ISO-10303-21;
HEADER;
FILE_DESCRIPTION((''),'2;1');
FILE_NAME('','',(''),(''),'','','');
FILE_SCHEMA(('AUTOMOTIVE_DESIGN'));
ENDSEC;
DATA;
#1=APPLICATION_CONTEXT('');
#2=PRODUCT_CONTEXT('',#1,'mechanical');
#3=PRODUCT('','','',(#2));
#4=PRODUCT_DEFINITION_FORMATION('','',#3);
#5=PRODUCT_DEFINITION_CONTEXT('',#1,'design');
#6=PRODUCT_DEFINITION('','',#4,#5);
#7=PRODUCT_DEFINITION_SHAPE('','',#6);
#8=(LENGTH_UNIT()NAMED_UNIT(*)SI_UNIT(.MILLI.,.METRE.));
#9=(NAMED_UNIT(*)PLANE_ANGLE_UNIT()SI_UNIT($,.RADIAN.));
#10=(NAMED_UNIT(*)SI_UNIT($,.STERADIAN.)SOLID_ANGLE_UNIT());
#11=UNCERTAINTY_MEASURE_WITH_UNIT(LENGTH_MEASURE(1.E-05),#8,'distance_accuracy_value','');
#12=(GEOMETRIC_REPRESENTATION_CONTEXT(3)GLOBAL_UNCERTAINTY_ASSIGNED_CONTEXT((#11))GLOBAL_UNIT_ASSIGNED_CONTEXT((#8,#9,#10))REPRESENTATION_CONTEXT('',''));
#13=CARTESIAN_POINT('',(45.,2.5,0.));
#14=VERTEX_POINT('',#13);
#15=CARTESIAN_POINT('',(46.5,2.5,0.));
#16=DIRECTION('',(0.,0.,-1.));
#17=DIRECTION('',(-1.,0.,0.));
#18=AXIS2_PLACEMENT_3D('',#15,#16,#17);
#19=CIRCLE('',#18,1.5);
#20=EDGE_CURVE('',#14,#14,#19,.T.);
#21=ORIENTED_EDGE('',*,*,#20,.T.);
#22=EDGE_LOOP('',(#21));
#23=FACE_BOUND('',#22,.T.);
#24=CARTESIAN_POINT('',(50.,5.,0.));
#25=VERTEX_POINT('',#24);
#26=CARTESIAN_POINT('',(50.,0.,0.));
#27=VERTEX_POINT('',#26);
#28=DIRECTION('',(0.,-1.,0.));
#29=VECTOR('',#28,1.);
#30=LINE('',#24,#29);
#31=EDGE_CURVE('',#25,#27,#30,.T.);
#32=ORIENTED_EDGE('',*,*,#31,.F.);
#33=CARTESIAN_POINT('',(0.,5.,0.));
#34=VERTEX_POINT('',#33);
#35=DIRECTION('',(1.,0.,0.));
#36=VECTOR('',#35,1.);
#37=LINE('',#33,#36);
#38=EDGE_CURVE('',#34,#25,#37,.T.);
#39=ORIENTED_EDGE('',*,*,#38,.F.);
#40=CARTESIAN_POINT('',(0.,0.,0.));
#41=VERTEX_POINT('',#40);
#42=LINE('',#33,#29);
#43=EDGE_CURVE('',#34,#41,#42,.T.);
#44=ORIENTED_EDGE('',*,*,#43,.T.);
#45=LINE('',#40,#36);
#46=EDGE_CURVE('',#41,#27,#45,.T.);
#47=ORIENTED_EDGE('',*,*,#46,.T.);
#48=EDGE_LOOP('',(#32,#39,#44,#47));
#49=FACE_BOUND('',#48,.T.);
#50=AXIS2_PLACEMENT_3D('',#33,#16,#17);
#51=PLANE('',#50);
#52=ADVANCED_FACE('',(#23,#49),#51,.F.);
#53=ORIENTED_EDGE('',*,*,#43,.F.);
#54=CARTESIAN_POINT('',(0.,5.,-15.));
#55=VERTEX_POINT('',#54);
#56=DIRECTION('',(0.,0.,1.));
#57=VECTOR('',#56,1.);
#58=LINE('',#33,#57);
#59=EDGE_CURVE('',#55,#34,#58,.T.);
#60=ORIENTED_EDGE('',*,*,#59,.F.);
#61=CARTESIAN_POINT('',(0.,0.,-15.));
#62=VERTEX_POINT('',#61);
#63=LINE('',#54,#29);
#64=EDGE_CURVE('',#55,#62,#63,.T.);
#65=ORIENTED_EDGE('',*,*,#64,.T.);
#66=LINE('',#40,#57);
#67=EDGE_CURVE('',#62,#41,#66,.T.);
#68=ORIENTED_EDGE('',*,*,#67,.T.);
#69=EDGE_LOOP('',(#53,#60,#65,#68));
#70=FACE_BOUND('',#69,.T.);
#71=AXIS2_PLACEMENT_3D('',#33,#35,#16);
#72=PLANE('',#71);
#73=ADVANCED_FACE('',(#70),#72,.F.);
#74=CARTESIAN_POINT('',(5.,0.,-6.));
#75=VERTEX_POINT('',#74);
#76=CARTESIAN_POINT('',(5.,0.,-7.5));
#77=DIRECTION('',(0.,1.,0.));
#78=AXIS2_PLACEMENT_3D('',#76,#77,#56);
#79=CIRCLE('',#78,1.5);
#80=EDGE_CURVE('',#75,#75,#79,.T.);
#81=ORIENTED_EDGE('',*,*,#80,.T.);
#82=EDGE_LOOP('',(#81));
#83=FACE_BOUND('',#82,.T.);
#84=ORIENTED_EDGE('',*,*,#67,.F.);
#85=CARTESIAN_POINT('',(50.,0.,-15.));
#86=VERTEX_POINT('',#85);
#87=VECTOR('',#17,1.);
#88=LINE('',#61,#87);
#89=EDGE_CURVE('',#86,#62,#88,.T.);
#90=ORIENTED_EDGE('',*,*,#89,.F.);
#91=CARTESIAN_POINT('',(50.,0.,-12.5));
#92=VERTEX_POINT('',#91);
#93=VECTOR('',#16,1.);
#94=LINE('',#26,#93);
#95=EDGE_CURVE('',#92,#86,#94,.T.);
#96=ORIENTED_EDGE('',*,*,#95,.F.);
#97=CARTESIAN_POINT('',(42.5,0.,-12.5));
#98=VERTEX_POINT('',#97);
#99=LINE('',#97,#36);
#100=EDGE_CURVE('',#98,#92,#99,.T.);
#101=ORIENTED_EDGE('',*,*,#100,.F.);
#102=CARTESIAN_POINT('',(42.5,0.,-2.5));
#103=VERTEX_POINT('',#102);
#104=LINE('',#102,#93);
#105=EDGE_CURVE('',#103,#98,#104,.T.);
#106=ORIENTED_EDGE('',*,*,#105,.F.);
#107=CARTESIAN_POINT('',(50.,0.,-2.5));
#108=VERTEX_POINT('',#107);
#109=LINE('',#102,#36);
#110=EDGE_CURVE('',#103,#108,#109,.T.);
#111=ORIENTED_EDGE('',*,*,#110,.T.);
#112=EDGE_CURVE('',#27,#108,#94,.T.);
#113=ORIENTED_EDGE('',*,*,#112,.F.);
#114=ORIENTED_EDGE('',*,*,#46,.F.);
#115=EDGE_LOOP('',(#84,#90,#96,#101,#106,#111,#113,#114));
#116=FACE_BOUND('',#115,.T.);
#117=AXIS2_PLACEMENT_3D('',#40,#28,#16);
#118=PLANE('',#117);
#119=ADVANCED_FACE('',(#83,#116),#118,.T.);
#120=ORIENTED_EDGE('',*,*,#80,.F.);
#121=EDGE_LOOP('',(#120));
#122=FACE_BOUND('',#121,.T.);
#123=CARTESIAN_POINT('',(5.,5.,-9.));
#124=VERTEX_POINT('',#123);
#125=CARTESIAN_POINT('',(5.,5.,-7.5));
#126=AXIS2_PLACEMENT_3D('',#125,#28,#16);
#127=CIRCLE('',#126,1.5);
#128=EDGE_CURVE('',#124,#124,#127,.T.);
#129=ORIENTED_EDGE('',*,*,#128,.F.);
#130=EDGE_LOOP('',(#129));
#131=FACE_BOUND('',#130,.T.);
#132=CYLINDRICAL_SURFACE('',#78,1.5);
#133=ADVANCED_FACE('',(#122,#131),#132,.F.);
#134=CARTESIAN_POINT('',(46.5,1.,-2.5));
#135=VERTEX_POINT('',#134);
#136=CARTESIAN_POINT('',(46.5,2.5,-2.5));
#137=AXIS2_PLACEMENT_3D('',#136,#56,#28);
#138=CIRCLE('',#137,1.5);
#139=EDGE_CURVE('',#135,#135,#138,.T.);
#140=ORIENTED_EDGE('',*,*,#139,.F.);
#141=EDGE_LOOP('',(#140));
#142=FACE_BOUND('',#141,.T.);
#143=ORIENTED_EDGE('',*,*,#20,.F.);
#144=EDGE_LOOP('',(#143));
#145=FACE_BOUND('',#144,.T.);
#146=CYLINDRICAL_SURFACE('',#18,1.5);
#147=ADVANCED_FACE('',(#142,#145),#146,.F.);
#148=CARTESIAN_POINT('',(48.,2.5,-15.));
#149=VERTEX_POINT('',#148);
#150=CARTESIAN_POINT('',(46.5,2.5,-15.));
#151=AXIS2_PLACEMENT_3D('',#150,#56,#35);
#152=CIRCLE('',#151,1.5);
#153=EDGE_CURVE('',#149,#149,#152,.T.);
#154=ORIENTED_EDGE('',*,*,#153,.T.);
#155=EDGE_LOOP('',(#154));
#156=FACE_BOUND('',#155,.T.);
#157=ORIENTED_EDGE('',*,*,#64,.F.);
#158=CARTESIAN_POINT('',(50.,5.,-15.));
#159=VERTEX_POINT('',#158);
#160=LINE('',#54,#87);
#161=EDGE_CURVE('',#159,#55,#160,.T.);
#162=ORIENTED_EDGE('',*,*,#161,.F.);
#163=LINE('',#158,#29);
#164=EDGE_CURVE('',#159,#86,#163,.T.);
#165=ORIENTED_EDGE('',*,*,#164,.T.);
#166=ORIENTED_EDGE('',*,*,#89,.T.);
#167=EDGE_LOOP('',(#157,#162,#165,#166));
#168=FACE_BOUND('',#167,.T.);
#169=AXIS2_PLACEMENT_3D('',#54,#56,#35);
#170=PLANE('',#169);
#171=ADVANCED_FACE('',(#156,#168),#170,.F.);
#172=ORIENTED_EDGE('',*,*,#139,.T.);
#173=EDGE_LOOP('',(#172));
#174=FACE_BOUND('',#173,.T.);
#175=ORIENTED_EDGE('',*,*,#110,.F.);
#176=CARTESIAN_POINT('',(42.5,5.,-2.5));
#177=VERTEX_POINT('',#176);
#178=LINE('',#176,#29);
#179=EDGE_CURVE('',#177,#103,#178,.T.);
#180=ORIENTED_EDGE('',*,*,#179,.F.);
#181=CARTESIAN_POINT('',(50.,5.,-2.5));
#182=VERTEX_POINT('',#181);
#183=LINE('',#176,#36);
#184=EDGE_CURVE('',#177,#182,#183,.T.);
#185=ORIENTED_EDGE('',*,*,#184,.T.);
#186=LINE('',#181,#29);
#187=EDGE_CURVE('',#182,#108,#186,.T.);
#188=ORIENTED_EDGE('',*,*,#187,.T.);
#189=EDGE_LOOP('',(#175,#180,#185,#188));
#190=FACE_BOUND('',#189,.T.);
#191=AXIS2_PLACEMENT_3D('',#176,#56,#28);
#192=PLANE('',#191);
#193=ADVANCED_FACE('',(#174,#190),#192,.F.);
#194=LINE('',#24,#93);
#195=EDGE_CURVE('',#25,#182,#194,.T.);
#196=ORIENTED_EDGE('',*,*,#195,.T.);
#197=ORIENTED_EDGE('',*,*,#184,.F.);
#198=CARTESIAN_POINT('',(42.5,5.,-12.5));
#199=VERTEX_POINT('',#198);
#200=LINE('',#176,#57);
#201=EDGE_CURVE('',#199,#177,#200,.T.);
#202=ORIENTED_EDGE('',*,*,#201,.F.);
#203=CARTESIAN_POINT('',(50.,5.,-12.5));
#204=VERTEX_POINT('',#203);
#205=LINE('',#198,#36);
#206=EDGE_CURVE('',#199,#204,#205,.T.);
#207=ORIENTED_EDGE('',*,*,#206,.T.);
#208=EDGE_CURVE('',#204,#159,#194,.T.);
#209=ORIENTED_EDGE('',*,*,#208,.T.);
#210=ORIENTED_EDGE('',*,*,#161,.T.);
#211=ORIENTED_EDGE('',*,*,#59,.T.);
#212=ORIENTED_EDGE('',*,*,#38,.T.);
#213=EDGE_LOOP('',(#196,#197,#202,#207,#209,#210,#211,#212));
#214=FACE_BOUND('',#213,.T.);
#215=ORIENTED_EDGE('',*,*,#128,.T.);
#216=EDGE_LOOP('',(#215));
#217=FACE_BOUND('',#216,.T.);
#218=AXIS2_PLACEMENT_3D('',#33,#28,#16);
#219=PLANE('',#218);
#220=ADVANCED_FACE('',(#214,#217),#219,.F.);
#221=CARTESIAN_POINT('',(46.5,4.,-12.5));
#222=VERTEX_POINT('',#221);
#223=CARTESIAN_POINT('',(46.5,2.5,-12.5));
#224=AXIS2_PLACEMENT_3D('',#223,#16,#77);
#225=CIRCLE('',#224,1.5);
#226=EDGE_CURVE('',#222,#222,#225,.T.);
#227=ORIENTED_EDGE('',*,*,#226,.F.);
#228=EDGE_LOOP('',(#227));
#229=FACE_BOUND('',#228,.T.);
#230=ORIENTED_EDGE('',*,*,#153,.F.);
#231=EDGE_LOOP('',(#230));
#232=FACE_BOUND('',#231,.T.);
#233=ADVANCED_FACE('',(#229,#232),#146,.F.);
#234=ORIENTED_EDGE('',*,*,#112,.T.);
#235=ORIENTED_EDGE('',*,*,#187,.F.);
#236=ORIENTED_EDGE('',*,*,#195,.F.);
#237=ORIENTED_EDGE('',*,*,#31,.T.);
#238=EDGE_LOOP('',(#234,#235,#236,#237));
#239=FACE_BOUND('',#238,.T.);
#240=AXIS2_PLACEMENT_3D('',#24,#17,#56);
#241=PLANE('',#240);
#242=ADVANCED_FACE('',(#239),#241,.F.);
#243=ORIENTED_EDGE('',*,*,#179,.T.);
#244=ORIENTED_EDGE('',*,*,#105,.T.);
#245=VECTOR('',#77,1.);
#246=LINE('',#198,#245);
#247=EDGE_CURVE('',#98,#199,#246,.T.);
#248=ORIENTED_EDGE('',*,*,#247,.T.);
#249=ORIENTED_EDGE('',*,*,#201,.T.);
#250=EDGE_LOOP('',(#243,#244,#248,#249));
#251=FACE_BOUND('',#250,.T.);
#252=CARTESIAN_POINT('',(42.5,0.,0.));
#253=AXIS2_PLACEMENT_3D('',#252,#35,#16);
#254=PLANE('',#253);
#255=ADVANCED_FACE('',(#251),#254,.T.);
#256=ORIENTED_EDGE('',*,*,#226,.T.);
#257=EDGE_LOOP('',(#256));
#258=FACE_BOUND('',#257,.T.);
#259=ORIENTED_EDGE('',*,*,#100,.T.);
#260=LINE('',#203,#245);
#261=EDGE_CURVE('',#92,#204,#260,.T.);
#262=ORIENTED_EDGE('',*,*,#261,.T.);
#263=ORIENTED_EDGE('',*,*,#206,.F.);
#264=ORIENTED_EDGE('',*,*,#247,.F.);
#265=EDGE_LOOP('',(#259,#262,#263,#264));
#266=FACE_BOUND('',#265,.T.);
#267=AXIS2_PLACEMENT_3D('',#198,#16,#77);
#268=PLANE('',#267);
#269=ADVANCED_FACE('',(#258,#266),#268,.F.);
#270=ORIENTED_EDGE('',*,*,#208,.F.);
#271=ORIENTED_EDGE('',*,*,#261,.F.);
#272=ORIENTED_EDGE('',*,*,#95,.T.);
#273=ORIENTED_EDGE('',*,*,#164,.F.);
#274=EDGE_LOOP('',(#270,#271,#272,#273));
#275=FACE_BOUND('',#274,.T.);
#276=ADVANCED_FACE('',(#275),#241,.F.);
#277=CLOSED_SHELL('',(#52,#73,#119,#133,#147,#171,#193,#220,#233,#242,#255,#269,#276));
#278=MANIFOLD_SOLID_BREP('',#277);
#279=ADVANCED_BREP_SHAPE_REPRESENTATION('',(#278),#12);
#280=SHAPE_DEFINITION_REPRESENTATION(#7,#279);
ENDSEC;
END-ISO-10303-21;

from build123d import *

# Parameters (mm, degrees)
SKETCH1_W               = 50
SKETCH1_H               = 15
BOSS_EXTRUDE1_DEPTH     = 5
CUT_EXTRUDE1_DEPTH      = 53.440442409
CUT_EXTRUDE1_DEPTH_BACK = 53.440442409
SKETCH2_R               = 1.5
SKETCH3_W               = 10
SKETCH3_H               = 5
CUT_EXTRUDE2_DEPTH      = 7.5
CUT_EXTRUDE3_DEPTH      = 53.440442409
CUT_EXTRUDE3_DEPTH_BACK = 53.440442409
SKETCH4_R               = 1.5


with BuildPart() as part:
    # Sketch1 → Boss-Extrude1 (new body)
    with BuildSketch(Plane(origin=(0, 0, 0), x_dir=(1, 0, 0), z_dir=(0, 1, 0))):
        with Locations((25, 7.5)):
            Rectangle(SKETCH1_W, SKETCH1_H)
    extrude(amount=BOSS_EXTRUDE1_DEPTH)

    # Sketch2 → Cut-Extrude1 (cut, two sides: drawn at the far end of the back side and taken through both)
    with BuildSketch(Plane(origin=(0, 5, 0), x_dir=(1, 0, 0), z_dir=(0, 1, 0)).offset(-CUT_EXTRUDE1_DEPTH_BACK)):
        with Locations(Location((5, 7.5, 0), (0, 0, 270))):
            Circle(SKETCH2_R)
    extrude(amount=CUT_EXTRUDE1_DEPTH + CUT_EXTRUDE1_DEPTH_BACK, mode=Mode.SUBTRACT)

    # Sketch3 → Cut-Extrude2 (cut)
    with BuildSketch(Plane(origin=(50, 0, 0), x_dir=(0, 0, -1), z_dir=(1, 0, 0))):
        with Locations((7.5, 2.5)):
            Rectangle(SKETCH3_W, SKETCH3_H)
    extrude(amount=-CUT_EXTRUDE2_DEPTH, mode=Mode.SUBTRACT)

    # Sketch4 → Cut-Extrude3 (cut, two sides: drawn at the far end of the back side and taken through both)
    with BuildSketch(Plane(origin=(0, 0, -15), x_dir=(-1, 0, 0), z_dir=(0, 0, -1)).offset(-CUT_EXTRUDE3_DEPTH_BACK)):
        with Locations(Location((-46.5, 2.5, 0), (0, 0, 90))):
            Circle(SKETCH4_R)
    extrude(amount=CUT_EXTRUDE3_DEPTH + CUT_EXTRUDE3_DEPTH_BACK, mode=Mode.SUBTRACT)


solid = part.part
